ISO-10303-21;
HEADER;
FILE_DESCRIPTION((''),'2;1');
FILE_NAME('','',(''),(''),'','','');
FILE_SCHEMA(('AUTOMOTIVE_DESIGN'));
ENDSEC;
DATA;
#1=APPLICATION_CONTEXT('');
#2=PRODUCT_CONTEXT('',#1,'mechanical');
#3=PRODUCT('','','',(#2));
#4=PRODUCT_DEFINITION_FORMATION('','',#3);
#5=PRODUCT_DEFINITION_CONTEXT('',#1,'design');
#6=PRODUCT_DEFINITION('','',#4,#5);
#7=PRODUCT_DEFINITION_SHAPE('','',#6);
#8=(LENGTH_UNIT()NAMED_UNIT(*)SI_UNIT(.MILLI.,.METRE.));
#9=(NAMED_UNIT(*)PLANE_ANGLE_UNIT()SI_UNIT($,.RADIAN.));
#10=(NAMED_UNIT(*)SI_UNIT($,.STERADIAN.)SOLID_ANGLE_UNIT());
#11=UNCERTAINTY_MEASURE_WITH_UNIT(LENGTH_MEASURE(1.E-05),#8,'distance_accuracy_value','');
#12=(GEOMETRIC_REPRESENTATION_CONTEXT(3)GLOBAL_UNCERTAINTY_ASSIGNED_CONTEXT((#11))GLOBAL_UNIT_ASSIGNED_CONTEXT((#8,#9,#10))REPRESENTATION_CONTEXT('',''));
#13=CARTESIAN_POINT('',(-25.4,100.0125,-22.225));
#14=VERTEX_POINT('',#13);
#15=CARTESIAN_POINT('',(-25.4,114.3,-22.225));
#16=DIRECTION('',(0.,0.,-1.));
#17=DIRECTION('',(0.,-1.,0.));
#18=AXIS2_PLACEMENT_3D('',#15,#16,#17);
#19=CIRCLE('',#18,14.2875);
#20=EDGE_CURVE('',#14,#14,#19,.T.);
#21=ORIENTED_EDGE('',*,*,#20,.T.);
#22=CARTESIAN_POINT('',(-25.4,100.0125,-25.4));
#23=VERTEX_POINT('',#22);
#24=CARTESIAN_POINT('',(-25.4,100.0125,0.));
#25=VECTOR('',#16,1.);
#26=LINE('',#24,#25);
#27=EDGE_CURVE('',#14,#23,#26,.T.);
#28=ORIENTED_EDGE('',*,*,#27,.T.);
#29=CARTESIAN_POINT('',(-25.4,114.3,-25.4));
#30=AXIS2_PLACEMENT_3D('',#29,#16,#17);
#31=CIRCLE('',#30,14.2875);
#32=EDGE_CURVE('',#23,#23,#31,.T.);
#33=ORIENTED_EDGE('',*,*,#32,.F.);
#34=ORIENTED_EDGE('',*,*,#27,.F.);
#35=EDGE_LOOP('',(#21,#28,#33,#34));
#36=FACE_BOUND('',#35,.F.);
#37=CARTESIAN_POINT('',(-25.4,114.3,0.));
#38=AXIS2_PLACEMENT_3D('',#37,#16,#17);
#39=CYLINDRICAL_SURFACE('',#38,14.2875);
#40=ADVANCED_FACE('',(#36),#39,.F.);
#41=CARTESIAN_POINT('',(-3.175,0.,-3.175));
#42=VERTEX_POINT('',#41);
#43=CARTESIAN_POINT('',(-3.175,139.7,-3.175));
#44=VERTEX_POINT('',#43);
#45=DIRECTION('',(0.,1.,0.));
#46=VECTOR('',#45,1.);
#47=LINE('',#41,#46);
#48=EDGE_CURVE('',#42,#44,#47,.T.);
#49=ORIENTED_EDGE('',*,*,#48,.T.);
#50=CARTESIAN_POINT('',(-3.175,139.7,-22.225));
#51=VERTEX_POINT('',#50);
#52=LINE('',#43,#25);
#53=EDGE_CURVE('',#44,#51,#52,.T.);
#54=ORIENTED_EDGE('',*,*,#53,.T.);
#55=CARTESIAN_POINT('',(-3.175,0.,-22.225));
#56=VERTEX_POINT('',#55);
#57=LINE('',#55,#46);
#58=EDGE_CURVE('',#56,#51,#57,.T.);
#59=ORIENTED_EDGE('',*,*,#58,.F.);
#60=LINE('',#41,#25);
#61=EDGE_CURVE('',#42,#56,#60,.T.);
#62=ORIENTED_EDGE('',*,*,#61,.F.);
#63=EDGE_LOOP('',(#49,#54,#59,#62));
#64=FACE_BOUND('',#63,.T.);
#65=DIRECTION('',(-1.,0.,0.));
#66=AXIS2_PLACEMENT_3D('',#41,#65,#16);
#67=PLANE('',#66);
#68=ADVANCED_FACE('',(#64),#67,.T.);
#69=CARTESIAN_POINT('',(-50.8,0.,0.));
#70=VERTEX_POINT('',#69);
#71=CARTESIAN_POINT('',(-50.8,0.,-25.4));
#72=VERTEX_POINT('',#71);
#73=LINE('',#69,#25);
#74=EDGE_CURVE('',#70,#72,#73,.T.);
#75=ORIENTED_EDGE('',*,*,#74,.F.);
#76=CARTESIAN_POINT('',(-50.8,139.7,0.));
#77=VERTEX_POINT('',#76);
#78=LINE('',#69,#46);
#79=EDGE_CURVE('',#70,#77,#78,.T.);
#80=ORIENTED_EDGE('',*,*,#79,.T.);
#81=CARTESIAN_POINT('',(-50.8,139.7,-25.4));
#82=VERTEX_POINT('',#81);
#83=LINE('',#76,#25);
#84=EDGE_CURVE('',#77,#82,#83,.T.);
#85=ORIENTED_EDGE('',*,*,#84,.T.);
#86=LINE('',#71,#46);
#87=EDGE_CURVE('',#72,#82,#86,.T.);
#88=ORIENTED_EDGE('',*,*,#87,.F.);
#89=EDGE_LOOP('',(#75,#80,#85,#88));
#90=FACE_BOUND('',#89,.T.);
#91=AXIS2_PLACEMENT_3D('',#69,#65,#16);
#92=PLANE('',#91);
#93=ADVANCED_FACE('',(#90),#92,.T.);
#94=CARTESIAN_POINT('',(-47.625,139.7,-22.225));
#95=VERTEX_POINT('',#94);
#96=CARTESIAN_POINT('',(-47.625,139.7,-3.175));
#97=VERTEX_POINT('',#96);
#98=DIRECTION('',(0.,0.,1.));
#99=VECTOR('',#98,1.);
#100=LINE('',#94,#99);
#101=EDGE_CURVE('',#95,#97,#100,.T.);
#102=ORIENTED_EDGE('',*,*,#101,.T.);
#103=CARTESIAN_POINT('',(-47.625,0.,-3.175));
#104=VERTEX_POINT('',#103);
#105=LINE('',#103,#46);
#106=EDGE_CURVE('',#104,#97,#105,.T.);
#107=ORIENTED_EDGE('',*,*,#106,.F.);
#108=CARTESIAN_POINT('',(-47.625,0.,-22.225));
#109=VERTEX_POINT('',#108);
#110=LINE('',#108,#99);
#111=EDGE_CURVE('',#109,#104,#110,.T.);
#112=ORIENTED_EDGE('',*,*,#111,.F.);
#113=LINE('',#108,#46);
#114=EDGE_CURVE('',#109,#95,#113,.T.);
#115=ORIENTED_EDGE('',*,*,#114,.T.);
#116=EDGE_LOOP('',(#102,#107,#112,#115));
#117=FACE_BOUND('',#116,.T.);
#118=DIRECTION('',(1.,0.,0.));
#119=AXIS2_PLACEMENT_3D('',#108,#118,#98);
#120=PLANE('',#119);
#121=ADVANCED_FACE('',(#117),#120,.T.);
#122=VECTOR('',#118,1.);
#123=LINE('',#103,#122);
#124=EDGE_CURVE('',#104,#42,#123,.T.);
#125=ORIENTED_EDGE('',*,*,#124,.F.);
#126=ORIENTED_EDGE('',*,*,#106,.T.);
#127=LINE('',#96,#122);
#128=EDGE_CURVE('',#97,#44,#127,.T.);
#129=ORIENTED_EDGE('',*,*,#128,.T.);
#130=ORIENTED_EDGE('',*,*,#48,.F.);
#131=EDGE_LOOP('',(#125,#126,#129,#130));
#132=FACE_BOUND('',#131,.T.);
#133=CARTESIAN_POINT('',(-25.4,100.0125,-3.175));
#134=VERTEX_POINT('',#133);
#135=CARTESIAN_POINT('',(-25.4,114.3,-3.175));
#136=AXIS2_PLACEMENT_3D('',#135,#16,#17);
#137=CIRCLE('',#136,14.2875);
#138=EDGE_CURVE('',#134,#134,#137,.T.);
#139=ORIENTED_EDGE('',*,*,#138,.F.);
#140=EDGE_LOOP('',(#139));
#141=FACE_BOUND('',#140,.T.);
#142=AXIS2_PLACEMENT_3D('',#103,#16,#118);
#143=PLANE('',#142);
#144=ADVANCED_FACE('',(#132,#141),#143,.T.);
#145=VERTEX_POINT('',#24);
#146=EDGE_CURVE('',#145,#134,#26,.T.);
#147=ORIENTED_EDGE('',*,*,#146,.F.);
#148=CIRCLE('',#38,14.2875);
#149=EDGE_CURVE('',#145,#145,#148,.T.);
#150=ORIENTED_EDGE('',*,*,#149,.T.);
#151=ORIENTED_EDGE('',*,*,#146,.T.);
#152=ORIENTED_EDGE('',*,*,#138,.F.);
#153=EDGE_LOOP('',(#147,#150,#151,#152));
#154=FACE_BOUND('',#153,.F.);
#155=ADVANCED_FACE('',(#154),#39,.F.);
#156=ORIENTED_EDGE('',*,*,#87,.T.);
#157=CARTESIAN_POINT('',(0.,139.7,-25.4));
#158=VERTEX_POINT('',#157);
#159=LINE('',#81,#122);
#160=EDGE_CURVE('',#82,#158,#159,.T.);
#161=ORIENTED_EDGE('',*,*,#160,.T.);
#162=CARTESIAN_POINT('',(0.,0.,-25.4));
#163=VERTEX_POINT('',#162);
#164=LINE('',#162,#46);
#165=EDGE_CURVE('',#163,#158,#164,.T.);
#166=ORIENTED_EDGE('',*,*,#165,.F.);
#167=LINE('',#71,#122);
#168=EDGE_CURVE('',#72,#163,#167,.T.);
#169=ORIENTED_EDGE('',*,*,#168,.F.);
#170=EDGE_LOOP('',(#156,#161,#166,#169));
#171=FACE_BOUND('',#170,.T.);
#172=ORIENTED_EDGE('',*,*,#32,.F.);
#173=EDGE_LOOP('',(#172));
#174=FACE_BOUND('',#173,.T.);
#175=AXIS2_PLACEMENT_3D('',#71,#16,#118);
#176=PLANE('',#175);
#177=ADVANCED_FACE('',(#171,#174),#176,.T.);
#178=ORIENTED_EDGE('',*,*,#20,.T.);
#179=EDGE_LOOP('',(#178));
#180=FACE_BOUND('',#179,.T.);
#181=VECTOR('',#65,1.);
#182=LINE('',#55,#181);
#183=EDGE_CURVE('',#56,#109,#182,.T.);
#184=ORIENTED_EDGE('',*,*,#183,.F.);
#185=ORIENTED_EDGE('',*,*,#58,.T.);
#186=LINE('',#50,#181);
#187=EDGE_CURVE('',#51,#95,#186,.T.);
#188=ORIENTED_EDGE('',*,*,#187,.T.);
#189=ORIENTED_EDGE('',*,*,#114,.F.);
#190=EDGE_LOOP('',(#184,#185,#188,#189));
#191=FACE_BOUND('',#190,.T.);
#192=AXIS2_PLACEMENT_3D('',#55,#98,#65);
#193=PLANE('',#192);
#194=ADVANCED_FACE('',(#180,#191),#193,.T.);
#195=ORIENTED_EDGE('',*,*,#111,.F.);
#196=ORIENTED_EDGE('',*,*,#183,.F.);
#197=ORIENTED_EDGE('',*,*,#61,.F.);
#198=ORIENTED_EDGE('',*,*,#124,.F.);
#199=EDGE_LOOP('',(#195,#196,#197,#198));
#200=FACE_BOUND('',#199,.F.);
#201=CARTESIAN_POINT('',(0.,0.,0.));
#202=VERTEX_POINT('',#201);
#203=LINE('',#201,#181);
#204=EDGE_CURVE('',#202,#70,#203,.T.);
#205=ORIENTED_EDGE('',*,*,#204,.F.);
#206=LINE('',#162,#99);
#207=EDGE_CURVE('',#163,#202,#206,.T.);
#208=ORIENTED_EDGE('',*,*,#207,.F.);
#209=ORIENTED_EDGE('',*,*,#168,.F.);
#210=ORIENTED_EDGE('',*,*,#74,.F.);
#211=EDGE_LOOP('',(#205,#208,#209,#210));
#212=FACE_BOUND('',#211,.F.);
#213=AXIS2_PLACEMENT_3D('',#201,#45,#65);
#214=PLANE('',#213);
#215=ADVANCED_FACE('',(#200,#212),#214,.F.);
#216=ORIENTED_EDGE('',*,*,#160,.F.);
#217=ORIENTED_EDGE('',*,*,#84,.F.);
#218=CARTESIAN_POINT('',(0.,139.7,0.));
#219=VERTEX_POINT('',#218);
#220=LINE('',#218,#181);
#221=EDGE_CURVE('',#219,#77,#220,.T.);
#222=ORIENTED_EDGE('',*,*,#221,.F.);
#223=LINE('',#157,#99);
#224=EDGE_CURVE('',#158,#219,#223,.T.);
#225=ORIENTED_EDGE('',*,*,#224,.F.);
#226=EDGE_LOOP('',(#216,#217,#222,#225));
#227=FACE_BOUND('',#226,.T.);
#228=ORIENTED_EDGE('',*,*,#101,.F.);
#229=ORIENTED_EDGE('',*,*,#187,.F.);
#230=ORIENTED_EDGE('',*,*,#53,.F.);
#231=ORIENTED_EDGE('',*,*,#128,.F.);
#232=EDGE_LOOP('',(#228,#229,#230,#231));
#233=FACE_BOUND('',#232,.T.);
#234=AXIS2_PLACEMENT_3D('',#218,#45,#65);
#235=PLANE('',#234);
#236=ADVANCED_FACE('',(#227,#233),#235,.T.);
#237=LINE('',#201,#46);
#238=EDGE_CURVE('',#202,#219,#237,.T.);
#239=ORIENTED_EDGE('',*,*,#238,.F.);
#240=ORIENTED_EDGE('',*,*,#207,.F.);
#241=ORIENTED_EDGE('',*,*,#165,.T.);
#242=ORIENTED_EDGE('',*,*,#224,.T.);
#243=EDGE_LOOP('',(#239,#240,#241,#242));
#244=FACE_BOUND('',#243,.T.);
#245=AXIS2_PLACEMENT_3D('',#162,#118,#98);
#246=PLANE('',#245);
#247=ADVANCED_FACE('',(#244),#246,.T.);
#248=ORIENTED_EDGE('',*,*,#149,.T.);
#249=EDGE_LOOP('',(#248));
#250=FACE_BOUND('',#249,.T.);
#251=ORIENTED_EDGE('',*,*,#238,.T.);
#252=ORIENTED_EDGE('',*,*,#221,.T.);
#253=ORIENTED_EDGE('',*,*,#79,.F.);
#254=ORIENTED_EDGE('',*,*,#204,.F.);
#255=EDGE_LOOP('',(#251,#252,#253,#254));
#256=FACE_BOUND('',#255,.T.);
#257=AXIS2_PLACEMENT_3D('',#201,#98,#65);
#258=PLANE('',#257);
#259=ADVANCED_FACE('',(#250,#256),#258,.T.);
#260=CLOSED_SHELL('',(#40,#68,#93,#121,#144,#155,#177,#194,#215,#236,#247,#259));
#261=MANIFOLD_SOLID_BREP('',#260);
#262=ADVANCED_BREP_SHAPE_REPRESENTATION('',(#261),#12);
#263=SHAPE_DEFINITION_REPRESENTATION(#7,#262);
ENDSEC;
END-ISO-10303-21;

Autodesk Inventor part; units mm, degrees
ref_plane "YZ Plane" through (0, 0, 0) normal (1, 0, 0) x (0, 1, 0)
ref_plane "XZ Plane" through (0, 0, 0) normal (0, 1, 0) x (-1, 0, 0)
ref_plane "XY Plane" through (0, 0, 0) normal (0, 0, 1) x (1, 0, 0)
sketch "Sketch1" plane through (0, 0, 0) normal (0, 1, 0) x (-1, 0, 0)
  line L0 (0, 0) -> (50.8, 0)
  line L1 (50.8, 0) -> (50.8, -25.4)
  line L2 (50.8, -25.4) -> (0, -25.4)
  line L3 (0, -25.4) -> (0, 0)
  line L4 (47.625, -3.175) -> (3.175, -3.175)
  line L5 (3.175, -3.175) -> (3.175, -22.225)
  line L6 (3.175, -22.225) -> (47.625, -22.225)
  line L7 (47.625, -22.225) -> (47.625, -3.175)
  dimension "d0" = 50.8
  dimension "d1" = 25.4
  dimension "d2" = 3.175
extrude "Extrusion1" add sketch "Sketch1" along normal blind 139.7
sketch "Sketch2" plane through (-50.8, 0, 0) normal (0, 0, 1) x (1, 0, 0)
  line L0 (50.8, 0) -> (0, 0) projected
  line L1 (50.8, 0) -> (50.8, 139.7) projected
  line L2 (0, 139.7) -> (50.8, 139.7) projected
  line L3 (0, 0) -> (0, 139.7) projected
  point P0 (25.4, 114.3)
  dimension "d5" = 25.4
  dimension "d6" = 25.4
hole "Hole1" at (-25.4, 114.3, 0) direction (0, 0, -1) diameter 28.575 end through all
properties part number "WristFulcrum.ver-1111-2020"
